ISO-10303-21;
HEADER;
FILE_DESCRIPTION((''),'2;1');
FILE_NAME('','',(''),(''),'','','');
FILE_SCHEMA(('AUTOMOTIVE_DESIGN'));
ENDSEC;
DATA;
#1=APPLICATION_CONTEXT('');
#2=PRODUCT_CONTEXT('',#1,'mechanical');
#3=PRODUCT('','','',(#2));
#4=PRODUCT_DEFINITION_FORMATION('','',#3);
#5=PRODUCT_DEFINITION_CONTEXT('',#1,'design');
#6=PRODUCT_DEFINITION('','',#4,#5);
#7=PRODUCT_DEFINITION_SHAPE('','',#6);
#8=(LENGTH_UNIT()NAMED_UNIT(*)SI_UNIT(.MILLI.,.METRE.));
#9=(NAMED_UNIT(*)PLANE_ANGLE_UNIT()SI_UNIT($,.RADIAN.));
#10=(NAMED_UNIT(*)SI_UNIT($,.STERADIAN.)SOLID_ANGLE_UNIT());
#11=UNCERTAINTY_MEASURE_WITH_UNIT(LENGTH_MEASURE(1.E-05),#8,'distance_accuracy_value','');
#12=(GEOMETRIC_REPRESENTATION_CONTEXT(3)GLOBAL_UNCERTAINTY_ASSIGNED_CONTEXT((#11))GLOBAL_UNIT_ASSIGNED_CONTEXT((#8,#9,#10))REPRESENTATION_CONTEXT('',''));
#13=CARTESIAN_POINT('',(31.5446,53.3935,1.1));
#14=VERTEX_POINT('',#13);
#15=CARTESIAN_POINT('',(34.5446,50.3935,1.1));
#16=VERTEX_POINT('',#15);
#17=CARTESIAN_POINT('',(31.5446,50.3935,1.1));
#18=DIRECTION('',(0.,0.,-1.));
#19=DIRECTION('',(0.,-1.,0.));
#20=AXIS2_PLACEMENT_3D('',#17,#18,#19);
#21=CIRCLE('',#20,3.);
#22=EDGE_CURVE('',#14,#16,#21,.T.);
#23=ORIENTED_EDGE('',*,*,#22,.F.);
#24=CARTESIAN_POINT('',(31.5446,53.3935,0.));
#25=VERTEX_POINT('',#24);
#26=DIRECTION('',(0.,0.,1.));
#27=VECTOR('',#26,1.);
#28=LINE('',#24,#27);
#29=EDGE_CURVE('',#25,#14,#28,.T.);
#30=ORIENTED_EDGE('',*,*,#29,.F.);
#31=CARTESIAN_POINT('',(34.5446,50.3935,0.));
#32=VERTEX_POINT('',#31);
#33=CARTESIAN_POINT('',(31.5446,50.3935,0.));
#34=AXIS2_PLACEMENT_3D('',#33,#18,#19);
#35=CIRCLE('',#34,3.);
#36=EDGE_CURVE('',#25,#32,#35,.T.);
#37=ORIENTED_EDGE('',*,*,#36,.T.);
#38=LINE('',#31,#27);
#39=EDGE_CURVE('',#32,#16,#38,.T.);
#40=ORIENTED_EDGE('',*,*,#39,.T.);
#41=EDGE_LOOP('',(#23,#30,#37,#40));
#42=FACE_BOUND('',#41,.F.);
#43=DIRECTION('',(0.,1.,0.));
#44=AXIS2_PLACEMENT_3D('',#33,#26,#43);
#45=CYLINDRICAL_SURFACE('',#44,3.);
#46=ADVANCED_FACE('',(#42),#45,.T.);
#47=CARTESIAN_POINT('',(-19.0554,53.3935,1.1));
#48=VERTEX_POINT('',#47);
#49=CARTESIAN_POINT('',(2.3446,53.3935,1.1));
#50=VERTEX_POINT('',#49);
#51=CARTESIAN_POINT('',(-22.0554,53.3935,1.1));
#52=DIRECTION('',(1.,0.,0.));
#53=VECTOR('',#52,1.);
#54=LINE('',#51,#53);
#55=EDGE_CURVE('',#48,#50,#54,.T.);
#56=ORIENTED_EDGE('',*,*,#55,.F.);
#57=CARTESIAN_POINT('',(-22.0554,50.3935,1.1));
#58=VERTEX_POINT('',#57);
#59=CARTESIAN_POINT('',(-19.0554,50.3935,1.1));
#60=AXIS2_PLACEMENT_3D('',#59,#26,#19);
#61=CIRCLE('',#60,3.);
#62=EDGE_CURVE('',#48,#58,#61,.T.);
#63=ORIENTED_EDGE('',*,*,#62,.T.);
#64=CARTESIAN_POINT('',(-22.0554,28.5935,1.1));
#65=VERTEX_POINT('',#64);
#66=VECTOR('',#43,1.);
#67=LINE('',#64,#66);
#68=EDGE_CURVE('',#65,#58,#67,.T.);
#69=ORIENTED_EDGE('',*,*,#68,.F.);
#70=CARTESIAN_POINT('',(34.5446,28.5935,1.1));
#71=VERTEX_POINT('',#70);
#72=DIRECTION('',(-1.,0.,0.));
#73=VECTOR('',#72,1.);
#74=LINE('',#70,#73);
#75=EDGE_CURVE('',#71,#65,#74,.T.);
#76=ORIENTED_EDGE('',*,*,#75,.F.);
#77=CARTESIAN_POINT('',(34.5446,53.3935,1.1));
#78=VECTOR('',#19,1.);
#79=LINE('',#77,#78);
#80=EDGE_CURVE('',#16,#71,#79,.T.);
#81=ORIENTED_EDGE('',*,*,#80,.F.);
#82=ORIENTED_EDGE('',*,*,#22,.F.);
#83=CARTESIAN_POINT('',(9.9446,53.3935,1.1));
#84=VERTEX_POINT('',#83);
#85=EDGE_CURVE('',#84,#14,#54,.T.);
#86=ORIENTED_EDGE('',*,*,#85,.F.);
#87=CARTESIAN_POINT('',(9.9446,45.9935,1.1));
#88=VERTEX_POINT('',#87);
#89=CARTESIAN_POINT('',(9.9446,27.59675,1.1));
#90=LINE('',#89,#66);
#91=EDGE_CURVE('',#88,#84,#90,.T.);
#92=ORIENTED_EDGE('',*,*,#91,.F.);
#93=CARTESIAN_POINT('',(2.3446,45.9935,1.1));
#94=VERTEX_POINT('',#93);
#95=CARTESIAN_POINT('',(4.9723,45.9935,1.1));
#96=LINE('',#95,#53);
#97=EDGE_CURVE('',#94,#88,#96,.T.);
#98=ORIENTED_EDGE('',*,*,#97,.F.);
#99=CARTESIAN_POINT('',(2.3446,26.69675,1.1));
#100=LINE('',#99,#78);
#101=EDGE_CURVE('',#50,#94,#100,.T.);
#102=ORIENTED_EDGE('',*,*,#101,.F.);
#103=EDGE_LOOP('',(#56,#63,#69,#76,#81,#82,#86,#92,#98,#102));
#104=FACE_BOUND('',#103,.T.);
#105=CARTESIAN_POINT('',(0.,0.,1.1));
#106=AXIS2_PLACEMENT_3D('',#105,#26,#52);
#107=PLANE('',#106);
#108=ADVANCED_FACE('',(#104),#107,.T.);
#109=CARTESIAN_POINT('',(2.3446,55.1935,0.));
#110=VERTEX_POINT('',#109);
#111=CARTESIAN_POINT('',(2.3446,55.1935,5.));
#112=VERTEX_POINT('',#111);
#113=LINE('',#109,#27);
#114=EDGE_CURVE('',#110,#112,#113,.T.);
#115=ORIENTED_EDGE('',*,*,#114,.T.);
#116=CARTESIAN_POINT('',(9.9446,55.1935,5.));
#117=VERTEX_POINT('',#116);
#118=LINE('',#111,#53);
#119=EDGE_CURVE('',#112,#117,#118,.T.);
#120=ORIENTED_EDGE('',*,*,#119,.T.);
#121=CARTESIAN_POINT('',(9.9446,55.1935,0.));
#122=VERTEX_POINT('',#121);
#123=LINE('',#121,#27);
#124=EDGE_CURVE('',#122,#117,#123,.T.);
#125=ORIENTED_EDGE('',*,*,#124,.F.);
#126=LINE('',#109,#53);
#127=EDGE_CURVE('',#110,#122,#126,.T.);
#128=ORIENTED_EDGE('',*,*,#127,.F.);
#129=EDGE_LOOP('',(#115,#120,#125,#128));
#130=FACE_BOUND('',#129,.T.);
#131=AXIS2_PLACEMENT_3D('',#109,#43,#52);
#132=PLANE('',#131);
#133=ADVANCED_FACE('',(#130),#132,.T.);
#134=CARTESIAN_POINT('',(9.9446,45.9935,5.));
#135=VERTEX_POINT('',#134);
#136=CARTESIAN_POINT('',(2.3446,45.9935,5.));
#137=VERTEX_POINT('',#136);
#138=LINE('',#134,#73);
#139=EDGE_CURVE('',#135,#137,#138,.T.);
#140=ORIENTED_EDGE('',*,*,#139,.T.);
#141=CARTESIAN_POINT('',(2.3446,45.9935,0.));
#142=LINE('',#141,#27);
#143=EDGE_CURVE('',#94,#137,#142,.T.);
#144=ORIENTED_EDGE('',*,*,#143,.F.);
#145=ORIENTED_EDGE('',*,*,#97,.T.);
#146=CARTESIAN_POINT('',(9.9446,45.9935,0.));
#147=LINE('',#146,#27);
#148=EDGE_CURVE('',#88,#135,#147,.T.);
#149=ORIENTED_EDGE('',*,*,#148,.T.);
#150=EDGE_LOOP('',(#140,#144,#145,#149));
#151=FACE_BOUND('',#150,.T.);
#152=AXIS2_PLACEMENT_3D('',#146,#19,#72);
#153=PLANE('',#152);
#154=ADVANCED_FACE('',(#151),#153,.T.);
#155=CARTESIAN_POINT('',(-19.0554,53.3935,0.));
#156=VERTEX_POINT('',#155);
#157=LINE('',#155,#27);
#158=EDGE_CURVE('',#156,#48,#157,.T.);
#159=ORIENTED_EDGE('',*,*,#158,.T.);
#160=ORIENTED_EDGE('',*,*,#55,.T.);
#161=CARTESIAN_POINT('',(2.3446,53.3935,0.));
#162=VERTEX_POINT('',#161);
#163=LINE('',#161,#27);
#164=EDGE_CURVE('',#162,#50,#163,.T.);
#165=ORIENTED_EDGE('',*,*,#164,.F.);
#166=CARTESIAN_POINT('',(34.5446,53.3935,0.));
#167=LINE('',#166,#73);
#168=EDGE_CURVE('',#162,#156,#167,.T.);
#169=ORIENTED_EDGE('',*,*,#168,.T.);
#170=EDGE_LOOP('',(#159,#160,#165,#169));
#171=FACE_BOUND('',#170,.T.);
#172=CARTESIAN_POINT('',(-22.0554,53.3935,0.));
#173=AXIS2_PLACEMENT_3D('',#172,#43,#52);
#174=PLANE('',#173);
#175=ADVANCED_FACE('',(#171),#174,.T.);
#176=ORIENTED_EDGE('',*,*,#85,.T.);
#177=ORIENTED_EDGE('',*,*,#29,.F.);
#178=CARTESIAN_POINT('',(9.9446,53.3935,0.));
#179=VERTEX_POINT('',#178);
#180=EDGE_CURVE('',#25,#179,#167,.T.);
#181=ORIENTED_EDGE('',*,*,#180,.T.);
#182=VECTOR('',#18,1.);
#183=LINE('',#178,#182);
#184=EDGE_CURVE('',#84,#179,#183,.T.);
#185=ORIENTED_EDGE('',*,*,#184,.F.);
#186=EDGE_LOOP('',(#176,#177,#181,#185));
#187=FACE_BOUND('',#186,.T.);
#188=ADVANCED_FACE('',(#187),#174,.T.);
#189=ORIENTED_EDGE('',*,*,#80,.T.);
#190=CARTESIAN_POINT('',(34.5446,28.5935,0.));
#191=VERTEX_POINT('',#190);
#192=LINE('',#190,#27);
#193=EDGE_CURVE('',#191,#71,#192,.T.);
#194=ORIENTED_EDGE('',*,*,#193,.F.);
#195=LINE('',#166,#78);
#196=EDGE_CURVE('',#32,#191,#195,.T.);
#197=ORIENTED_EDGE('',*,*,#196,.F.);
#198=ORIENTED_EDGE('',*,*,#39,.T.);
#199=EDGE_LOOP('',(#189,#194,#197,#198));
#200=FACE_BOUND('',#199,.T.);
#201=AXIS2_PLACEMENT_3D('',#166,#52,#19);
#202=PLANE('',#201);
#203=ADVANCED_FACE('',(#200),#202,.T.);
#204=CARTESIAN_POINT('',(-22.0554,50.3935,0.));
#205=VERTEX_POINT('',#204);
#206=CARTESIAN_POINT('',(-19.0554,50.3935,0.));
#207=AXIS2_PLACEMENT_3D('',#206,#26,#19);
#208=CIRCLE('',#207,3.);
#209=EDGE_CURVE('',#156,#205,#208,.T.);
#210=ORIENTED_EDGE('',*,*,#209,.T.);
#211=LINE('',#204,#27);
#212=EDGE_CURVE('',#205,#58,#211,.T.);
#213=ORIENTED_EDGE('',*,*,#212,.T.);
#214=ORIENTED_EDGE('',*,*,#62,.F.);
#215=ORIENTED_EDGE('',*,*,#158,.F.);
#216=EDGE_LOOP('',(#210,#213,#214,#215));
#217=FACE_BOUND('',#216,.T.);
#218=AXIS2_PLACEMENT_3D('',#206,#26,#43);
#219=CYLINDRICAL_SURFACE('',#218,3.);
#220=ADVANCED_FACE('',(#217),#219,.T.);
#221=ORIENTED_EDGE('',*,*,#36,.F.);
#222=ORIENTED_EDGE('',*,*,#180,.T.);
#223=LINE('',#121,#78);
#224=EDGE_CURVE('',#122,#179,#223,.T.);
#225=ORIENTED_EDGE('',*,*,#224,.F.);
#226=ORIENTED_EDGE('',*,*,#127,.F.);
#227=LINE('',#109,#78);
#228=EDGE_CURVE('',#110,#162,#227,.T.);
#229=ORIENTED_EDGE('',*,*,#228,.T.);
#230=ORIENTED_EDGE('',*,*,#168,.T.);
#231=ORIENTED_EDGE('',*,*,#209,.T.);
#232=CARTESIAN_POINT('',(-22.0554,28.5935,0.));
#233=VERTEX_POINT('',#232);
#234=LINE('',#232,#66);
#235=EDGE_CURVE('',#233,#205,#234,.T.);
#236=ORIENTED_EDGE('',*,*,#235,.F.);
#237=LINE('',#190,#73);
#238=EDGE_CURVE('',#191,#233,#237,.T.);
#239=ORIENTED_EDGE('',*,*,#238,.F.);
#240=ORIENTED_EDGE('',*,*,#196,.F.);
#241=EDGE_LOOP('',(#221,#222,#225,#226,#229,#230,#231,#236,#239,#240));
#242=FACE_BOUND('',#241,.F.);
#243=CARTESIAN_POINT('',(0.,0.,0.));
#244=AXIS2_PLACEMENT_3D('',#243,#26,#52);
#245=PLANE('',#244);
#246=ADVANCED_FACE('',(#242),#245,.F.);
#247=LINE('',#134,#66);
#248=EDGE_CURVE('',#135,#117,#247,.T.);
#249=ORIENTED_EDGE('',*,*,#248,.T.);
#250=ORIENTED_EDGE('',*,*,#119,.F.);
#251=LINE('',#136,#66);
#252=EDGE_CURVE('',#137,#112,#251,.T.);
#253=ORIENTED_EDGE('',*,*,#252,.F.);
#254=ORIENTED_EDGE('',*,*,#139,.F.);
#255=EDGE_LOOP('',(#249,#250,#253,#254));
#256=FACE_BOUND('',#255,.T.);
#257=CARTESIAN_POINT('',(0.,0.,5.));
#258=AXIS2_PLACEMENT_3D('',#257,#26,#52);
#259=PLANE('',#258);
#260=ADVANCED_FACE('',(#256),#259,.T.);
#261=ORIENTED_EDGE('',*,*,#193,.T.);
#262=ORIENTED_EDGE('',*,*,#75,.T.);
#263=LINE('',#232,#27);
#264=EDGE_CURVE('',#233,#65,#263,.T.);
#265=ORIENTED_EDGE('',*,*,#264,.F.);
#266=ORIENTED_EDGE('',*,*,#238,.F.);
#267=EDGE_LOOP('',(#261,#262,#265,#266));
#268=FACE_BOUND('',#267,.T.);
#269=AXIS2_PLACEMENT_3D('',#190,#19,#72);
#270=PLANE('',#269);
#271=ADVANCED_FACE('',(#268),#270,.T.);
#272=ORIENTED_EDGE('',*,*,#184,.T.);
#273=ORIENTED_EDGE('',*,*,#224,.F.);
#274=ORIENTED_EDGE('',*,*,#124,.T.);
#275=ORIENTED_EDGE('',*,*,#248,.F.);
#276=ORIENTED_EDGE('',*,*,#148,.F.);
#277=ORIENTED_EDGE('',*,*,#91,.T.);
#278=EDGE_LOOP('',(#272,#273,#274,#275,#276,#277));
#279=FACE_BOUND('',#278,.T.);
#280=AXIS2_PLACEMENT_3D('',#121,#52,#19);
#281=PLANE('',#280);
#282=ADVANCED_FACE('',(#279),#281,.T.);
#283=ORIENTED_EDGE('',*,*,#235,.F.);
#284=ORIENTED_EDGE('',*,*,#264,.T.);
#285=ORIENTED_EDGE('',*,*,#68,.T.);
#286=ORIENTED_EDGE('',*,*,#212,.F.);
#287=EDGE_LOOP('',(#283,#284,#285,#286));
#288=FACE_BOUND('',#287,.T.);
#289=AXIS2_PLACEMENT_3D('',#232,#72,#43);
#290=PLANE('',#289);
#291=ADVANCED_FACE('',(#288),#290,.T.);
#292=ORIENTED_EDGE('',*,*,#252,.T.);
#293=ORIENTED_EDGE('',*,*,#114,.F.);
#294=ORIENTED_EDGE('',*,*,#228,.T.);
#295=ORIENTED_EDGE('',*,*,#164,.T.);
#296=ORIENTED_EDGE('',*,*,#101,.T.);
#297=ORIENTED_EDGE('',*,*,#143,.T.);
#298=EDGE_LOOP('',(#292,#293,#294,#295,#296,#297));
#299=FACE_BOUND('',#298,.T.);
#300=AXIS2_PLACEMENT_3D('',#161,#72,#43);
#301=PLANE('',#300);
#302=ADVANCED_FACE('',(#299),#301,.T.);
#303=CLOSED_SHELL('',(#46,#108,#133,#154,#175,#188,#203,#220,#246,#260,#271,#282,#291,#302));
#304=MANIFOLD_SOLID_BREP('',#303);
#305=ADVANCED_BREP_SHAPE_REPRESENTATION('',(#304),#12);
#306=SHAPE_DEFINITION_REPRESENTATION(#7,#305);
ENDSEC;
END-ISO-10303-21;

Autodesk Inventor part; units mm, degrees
ref_plane "YZ Plane" through (0, 0, 0) normal (1, 0, 0) x (0, 1, 0)
ref_plane "XZ Plane" through (0, 0, 0) normal (0, 1, 0) x (-1, 0, 0)
ref_plane "XY Plane" through (0, 0, 0) normal (0, 0, 1) x (1, 0, 0)
sketch "Sketch1: PCB" plane through (0, 0, 0) normal (0, 0, 1) x (1, 0, 0)
  line L0 (-22.0554, 53.3935) -> (34.5446, 53.3935)
  line L1 (34.5446, 53.3935) -> (34.5446, 28.5935)
  line L2 (34.5446, 28.5935) -> (-22.0554, 28.5935)
  line L3 (-22.0554, 28.5935) -> (-22.0554, 53.3935)
  line L4 (2.3446, 55.1935) -> (9.9446, 55.1935)
  line L5 (9.9446, 55.1935) -> (9.9446, 45.9935)
  line L6 (9.9446, 45.9935) -> (2.3446, 45.9935)
  line L7 (2.3446, 45.9935) -> (2.3446, 55.1935)
  point P0 (0, 0)
  dimension "d0" = 56.6
  dimension "d1" = 24.8
  dimension "d2" = 7.6
  dimension "d4" = 9.2
  dimension "d7" = 1.8
  dimension "d13" = 32
extrude "Extrusion1" add sketch "Sketch1: PCB" along normal blind 1.1 contours L0 L7 L6 L5 L1 L2 L3 | L0 L5 L6 L7
extrude "Extrusion2" add sketch "Sketch1: PCB" along normal blind 5 contours L7 L4 L5 L0 | L0 L5 L6 L7
fillet "Fillet1" radius 3 2 edges at (-22.0554, 53.3935, 0.55) (34.5446, 53.3935, 0.55)
properties part number "PCB"
